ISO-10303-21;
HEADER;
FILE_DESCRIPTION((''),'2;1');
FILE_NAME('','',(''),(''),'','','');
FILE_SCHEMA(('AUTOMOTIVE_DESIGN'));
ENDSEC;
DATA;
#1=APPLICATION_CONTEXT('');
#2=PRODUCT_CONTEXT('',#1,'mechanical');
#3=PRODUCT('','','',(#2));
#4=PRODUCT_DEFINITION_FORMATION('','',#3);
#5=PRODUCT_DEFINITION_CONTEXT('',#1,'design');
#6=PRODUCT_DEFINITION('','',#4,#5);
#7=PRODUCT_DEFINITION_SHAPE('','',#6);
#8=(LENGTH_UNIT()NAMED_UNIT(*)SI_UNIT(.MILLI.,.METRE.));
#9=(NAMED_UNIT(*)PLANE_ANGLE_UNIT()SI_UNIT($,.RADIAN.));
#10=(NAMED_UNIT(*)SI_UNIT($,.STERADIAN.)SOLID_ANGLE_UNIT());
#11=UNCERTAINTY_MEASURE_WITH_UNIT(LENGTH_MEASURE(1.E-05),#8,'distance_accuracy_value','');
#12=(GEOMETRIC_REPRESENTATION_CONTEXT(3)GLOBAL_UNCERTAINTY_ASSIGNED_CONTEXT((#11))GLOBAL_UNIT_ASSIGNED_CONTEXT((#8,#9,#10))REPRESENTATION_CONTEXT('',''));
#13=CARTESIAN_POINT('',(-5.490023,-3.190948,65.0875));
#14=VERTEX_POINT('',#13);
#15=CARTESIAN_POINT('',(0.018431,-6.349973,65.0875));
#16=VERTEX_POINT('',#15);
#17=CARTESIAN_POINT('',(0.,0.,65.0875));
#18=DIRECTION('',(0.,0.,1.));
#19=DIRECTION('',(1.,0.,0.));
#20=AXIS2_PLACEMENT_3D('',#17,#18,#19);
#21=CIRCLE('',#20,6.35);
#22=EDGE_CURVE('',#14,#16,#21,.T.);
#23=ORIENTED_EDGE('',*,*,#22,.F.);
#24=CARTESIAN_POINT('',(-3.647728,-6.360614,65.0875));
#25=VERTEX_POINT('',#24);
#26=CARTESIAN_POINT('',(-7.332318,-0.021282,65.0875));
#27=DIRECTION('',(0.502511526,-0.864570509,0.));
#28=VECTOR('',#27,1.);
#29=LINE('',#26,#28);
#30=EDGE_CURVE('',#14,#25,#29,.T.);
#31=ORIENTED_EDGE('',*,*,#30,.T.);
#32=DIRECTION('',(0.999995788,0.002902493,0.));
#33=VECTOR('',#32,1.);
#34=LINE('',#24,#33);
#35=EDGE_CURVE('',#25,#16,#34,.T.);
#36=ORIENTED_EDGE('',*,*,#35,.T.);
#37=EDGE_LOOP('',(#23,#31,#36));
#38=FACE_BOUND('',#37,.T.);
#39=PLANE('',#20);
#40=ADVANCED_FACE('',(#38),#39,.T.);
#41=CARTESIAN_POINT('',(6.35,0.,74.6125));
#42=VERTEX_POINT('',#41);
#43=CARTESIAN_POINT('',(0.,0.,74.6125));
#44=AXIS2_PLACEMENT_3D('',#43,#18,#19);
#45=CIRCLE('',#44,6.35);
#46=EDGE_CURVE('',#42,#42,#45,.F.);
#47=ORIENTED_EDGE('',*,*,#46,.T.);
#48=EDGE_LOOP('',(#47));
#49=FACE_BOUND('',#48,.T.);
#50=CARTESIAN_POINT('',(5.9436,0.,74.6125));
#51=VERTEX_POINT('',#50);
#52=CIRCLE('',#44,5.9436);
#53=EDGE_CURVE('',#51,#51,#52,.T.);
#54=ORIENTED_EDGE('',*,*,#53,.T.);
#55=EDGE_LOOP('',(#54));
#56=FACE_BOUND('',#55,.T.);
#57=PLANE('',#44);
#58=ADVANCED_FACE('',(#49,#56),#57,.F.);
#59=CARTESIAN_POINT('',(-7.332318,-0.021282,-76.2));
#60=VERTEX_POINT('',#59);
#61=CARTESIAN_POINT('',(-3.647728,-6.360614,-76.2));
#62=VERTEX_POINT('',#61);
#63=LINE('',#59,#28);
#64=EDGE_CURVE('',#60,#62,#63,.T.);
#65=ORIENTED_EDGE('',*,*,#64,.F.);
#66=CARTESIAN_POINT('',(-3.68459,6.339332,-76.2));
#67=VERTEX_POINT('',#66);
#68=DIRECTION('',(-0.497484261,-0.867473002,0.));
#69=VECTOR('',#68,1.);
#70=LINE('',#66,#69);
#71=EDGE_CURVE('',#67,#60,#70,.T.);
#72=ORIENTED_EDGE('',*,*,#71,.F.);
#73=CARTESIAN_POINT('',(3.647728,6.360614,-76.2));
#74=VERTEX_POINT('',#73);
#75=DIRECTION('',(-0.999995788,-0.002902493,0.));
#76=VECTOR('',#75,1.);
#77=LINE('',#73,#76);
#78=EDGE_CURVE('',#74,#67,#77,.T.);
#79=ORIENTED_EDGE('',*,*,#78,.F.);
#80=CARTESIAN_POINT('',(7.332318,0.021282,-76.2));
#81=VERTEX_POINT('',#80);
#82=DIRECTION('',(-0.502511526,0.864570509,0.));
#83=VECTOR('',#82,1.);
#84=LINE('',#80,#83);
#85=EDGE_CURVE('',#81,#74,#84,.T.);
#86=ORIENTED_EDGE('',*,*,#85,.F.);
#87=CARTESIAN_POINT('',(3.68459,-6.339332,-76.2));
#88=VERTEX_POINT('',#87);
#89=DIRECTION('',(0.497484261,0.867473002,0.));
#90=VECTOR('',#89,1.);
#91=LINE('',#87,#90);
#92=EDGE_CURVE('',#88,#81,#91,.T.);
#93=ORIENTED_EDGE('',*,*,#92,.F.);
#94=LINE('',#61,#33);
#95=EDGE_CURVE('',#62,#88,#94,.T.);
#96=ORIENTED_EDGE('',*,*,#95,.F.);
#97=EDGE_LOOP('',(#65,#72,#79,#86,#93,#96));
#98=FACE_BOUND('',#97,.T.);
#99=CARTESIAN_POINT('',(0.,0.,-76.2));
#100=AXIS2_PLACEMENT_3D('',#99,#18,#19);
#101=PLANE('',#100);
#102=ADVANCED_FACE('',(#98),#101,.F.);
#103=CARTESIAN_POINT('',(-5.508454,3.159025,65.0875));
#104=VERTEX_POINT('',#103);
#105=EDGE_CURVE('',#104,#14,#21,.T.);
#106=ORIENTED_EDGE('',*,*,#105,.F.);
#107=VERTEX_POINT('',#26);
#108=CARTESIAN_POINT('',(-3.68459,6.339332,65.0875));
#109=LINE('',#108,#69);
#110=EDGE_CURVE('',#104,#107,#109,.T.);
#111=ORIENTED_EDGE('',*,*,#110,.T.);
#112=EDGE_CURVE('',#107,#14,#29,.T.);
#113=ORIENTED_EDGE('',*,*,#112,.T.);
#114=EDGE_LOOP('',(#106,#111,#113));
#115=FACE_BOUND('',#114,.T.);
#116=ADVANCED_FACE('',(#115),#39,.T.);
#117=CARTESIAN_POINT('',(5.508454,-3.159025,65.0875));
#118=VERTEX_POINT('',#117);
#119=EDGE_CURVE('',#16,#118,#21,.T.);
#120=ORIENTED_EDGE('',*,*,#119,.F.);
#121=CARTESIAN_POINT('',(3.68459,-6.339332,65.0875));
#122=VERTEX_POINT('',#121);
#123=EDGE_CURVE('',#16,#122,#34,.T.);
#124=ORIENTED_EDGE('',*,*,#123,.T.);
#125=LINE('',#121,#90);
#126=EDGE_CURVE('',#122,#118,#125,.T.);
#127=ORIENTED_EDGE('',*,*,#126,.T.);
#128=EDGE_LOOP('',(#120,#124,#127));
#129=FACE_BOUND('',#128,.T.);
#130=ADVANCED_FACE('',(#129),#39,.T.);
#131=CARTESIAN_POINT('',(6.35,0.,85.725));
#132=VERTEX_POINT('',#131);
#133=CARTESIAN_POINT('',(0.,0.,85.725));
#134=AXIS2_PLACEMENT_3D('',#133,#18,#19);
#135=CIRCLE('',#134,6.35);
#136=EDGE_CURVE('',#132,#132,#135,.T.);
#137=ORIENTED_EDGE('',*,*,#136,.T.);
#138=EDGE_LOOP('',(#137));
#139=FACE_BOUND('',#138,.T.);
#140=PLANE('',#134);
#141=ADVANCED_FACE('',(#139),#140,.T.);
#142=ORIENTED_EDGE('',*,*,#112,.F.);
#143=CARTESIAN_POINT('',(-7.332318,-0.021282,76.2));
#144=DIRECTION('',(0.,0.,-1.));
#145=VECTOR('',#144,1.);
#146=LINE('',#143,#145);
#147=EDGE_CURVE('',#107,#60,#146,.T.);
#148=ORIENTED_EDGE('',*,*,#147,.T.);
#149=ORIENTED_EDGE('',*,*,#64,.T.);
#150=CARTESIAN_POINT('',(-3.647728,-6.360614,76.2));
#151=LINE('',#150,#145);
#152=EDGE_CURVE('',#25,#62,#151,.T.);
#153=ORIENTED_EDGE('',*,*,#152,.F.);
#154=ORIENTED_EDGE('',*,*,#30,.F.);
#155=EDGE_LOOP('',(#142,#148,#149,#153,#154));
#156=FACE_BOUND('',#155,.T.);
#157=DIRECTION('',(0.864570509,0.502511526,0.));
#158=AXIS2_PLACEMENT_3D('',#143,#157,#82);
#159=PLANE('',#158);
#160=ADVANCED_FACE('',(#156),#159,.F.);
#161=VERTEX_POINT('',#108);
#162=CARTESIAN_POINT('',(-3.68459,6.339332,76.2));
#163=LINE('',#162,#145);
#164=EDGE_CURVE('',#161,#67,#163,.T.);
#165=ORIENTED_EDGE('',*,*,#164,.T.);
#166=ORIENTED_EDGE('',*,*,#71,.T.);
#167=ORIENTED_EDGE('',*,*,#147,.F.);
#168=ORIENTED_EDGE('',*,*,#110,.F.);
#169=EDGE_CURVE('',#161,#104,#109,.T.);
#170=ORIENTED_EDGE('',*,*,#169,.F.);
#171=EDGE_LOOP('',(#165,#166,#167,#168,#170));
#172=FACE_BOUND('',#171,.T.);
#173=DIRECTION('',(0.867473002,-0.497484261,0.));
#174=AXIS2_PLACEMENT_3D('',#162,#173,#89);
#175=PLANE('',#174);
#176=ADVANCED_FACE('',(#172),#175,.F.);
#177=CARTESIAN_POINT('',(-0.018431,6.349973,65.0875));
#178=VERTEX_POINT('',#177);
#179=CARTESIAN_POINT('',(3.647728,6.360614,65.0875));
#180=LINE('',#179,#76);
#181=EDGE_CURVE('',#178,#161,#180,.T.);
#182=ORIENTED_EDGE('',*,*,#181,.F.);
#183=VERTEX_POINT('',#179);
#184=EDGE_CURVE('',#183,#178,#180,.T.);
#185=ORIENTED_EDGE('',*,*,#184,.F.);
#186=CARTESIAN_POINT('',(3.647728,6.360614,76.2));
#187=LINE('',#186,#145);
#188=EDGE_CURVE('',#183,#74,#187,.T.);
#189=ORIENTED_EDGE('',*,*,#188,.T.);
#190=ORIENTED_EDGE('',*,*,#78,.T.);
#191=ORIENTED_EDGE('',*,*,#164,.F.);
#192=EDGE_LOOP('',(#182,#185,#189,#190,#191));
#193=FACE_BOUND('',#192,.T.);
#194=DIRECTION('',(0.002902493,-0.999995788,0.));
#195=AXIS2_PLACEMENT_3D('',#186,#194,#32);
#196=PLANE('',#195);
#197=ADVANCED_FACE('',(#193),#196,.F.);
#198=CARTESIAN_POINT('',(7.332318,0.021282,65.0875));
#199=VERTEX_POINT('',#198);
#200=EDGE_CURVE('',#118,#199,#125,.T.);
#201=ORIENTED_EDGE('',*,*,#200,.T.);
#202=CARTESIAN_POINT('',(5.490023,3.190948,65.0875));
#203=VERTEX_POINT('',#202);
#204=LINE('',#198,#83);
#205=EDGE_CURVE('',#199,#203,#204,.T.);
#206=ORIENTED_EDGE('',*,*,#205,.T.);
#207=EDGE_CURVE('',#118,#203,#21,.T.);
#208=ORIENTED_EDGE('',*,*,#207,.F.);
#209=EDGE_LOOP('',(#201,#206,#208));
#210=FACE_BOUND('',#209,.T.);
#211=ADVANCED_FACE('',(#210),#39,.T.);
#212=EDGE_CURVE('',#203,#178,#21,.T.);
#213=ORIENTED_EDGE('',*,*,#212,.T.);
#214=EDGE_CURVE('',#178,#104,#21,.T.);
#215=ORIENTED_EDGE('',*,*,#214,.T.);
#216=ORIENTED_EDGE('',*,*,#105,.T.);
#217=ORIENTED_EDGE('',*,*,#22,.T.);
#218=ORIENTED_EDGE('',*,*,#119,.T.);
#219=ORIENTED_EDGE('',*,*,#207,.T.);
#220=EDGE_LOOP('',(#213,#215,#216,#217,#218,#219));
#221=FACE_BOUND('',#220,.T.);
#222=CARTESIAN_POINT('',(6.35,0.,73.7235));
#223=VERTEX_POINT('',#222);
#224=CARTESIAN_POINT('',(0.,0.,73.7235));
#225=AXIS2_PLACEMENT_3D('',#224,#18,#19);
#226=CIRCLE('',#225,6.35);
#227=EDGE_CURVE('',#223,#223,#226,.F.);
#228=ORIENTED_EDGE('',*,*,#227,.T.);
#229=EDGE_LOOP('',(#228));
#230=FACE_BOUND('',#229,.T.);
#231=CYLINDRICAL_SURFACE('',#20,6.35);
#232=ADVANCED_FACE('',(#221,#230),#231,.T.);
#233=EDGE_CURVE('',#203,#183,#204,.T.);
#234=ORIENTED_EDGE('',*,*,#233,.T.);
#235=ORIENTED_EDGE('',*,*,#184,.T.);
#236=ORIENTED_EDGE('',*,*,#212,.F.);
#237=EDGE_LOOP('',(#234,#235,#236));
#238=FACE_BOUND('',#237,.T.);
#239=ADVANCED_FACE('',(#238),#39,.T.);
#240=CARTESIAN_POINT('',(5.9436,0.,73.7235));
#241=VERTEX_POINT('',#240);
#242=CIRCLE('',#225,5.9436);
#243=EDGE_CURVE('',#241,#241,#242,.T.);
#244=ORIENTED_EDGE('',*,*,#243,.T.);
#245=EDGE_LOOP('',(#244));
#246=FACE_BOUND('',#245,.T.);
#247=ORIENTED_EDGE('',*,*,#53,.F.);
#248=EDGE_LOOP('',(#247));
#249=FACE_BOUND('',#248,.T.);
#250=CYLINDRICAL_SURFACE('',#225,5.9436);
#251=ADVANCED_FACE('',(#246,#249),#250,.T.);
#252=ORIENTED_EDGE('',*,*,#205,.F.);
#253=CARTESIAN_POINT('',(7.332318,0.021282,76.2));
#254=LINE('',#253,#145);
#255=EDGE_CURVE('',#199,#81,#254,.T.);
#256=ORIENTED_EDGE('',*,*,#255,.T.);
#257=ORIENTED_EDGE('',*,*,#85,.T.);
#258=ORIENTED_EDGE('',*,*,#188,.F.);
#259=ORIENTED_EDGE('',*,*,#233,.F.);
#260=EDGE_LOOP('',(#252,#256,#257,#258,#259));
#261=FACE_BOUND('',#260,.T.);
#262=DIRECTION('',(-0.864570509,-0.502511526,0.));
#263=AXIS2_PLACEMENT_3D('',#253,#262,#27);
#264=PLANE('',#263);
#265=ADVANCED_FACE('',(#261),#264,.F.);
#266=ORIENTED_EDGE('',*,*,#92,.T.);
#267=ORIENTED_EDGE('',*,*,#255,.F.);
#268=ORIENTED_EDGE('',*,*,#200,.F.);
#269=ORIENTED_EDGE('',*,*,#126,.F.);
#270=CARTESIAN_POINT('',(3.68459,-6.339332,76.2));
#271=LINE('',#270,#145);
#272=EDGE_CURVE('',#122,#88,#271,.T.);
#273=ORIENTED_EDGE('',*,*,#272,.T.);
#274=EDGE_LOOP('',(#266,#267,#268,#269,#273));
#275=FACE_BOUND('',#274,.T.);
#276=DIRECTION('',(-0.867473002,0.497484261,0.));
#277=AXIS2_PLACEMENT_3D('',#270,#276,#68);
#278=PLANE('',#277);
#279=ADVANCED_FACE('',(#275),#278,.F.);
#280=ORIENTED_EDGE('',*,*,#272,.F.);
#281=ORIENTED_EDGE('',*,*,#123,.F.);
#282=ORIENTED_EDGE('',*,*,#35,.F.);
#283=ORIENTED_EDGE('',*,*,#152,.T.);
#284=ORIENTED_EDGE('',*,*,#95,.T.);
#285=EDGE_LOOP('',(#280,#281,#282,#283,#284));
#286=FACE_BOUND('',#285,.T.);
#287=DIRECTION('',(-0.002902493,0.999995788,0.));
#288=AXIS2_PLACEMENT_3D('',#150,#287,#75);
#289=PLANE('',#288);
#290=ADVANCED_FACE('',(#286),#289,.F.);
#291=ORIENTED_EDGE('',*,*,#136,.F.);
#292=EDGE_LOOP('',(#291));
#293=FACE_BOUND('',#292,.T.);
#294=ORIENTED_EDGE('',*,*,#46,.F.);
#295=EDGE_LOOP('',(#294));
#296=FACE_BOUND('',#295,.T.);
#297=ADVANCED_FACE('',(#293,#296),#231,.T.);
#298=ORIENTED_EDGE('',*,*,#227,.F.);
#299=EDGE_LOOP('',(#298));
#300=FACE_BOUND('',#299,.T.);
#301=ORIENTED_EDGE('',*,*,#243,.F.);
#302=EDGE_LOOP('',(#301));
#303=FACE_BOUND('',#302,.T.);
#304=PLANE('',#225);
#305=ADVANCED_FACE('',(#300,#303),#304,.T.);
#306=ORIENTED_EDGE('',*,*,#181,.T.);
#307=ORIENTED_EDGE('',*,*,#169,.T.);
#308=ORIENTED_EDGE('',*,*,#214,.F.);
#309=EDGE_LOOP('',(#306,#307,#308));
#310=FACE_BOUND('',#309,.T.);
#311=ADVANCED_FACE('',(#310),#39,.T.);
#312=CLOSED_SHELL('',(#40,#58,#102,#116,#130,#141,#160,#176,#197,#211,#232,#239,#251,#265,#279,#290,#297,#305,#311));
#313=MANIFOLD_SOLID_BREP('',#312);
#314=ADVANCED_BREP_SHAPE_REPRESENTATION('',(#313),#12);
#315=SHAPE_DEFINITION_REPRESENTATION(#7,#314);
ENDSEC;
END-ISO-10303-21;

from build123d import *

# Parameters (mm, degrees)
BOSS_EXTRUDE1_DEPTH = 76.2
SKETCH2_R           = 7.332348419
SKETCH2_R_2         = 6.35
CUT_EXTRUDE1_DEPTH  = 11.1125
BOSS_EXTRUDE2_START = 9.525
SKETCH3_R           = 6.35
BOSS_EXTRUDE2_DEPTH = 9.525
SKETCH4_R           = 7.332348419
SKETCH4_R_2         = 5.9436
CUT_EXTRUDE2_DEPTH  = 0.889


with BuildPart() as part:
    # Sketch1 → Boss-Extrude1 (new, symmetric)
    with BuildSketch(Plane.XY):
        Polygon((3.684589596, -6.339332208), (7.332317533, 0.021282089), (3.647727937, 6.360614297), (-3.684589596, 6.339332208), (-7.332317533, -0.021282089), (-3.647727937, -6.360614297), align=None)
    extrude(amount=BOSS_EXTRUDE1_DEPTH, both=True)

    # Sketch2 → Cut-Extrude1 (cut)
    with BuildSketch(Plane.XY.offset(76.2)):
        Circle(SKETCH2_R)
        Circle(SKETCH2_R_2, mode=Mode.SUBTRACT)
    extrude(amount=-CUT_EXTRUDE1_DEPTH, mode=Mode.SUBTRACT)

    # Sketch3 → Boss-Extrude2 (add)
    with BuildSketch(Plane.XY.offset(76.2).offset(BOSS_EXTRUDE2_START)):
        Circle(SKETCH3_R)
    extrude(amount=-BOSS_EXTRUDE2_DEPTH)

    # Sketch4 → Cut-Extrude2 (cut)
    with BuildSketch(Plane.XY.offset(74.6125)):
        Circle(SKETCH4_R)
        Circle(SKETCH4_R_2, mode=Mode.SUBTRACT)
    extrude(amount=-CUT_EXTRUDE2_DEPTH, mode=Mode.SUBTRACT)


solid = part.part
